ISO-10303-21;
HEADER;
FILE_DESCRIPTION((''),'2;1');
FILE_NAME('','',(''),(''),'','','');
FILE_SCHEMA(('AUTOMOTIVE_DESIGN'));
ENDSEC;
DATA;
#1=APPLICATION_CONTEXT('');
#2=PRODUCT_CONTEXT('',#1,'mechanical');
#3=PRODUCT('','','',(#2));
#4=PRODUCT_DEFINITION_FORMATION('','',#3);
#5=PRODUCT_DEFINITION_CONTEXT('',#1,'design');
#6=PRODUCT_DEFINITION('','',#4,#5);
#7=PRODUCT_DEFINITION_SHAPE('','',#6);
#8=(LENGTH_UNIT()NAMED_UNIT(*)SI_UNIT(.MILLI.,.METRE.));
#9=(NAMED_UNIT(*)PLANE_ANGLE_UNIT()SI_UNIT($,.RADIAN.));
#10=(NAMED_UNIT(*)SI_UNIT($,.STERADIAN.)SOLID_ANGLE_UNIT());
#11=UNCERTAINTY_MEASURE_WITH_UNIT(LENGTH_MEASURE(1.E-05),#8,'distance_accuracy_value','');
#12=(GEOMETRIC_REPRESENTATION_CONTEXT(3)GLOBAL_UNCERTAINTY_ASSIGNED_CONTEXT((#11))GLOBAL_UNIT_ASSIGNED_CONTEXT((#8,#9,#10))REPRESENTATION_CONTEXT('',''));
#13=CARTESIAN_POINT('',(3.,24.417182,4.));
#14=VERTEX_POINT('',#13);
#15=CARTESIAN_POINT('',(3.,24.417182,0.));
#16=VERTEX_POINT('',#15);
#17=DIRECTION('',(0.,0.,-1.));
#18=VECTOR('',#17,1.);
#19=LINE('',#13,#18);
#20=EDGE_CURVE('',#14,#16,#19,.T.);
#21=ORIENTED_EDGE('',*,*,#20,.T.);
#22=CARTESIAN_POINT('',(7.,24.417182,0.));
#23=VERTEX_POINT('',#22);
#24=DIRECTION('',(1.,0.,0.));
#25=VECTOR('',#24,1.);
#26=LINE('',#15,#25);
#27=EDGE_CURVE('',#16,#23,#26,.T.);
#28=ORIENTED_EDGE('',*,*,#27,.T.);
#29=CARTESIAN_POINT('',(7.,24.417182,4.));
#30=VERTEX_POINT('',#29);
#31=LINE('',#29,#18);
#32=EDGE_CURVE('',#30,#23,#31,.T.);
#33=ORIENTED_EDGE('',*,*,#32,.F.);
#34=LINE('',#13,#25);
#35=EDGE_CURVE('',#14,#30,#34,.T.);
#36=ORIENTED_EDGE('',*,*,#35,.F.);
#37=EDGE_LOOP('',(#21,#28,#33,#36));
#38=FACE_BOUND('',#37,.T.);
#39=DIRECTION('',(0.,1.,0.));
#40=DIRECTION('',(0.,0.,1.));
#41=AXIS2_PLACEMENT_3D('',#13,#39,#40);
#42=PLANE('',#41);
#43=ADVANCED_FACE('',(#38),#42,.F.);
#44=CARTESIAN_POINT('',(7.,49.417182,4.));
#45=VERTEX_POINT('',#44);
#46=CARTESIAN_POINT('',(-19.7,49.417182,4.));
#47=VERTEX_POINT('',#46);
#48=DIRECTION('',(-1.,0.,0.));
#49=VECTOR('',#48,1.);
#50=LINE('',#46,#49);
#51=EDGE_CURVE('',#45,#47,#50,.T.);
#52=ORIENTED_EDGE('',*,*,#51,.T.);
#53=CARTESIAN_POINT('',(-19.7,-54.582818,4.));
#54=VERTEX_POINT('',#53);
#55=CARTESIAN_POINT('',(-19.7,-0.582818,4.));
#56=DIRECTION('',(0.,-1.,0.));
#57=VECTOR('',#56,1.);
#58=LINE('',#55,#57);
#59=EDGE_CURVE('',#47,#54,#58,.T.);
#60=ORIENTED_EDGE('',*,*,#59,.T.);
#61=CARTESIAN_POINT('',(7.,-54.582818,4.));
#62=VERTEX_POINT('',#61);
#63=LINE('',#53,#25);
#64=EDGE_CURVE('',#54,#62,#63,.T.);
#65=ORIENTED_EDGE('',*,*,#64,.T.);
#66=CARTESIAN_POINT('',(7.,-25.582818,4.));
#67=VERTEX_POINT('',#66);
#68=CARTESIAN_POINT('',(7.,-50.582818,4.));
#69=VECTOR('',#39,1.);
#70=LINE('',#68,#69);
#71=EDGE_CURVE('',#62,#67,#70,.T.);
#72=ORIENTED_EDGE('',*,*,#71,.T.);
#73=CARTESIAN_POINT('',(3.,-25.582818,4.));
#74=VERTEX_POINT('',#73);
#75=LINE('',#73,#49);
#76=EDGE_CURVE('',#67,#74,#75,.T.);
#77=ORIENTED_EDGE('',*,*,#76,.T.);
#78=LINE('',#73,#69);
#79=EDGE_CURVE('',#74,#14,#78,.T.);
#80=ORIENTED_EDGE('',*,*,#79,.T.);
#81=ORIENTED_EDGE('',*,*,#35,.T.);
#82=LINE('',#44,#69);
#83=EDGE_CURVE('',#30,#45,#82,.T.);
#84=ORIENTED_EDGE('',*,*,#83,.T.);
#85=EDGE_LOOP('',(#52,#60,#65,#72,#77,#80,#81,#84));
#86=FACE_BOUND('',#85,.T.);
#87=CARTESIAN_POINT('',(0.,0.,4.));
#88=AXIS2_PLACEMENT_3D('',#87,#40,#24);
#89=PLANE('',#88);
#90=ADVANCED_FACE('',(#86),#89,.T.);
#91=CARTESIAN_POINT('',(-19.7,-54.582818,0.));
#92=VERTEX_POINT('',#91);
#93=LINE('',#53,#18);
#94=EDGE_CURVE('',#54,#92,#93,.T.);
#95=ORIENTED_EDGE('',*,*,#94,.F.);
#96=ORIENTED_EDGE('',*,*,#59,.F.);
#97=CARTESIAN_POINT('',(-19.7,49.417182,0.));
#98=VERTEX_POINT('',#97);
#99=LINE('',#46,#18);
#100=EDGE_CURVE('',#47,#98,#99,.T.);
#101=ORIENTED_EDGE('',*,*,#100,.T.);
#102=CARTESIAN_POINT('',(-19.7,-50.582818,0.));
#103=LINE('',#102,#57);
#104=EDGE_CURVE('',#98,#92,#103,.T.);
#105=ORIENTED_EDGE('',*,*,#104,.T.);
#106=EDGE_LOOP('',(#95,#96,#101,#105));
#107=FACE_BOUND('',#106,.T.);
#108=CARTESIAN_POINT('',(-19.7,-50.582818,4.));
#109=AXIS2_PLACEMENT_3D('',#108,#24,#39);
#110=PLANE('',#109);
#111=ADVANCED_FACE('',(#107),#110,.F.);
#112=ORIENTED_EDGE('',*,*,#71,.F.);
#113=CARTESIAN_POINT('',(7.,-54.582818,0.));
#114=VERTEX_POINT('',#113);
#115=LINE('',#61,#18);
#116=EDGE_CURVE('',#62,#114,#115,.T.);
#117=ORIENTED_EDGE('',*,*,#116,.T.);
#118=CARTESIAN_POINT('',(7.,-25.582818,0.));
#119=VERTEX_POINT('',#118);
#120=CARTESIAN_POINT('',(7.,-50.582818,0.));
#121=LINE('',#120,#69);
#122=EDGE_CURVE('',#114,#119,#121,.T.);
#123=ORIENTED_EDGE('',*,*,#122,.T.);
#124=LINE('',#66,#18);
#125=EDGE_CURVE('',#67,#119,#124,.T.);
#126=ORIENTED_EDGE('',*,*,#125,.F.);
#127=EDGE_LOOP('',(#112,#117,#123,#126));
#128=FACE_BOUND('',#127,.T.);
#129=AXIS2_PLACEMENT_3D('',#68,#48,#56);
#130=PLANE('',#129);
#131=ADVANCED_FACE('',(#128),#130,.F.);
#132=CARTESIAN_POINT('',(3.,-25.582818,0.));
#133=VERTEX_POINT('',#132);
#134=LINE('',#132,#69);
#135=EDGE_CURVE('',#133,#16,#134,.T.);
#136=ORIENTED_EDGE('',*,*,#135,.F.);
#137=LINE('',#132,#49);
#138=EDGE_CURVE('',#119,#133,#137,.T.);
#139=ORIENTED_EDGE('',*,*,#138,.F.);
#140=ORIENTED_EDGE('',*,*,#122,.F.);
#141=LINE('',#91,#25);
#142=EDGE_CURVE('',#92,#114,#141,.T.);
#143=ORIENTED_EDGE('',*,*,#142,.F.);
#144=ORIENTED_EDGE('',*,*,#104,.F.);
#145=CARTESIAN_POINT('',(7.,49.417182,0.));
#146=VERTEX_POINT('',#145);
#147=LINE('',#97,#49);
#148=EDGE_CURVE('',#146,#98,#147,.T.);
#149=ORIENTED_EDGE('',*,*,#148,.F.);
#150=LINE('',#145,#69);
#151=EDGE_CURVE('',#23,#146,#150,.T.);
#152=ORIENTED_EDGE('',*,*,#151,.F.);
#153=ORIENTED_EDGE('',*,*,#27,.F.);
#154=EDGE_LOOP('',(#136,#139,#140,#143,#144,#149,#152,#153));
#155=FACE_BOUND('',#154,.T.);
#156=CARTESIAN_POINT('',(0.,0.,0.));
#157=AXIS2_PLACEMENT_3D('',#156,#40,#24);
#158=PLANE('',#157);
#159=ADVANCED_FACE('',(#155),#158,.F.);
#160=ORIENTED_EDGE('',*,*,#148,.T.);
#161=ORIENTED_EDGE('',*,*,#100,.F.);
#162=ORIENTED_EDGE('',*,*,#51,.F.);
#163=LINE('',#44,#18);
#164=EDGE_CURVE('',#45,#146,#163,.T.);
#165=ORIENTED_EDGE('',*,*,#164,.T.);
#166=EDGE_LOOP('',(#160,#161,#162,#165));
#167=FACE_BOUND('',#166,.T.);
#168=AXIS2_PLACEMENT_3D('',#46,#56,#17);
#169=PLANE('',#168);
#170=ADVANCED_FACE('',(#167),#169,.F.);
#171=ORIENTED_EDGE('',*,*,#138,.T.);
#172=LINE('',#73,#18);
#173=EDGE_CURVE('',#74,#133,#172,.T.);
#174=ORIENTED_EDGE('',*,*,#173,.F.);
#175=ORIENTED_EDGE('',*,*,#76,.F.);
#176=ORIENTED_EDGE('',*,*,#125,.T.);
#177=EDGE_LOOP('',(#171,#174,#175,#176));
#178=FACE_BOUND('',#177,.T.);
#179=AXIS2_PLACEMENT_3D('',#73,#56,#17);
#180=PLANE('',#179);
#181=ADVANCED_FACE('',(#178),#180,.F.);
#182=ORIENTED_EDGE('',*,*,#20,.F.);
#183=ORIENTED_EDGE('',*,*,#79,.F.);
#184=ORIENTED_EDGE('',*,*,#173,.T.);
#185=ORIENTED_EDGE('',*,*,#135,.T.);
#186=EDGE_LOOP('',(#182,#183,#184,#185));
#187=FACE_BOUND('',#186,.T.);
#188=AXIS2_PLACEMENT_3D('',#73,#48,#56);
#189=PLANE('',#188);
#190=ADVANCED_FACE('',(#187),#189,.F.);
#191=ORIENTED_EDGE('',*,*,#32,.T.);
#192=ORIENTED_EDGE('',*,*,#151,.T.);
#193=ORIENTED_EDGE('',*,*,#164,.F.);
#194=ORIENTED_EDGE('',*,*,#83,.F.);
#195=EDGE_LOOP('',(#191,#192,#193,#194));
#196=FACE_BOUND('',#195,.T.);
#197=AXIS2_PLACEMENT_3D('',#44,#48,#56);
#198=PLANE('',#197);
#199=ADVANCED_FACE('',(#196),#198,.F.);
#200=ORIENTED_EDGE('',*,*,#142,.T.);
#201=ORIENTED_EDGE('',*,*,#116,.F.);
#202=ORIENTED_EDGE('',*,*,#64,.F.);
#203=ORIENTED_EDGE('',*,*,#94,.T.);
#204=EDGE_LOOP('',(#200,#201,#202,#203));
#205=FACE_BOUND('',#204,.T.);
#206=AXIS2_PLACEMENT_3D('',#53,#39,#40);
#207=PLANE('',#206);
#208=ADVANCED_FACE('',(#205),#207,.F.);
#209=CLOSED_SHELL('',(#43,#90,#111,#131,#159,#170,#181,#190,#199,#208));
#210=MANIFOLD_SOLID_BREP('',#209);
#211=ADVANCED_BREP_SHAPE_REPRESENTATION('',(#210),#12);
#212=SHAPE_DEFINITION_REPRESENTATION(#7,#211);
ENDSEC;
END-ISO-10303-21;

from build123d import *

# Parameters (mm, degrees)
EXTRUDE_1_DEPTH = 4


with BuildPart() as part:
    # Эскиз1 → Бобышка-Вытянуть1 (new body)
    with BuildSketch(Plane.XY):
        Polygon((3, -25.582818043), (3, 24.417181957), (7, 24.417181957), (7, 49.417181957), (-19.7, 49.417181957), (-19.7, -0.582818043), (-19.7, -50.582818043), (-19.7, -54.582818043), (7, -54.582818043), (7, -50.582818043), (7, -25.582818043), align=None)
    extrude(amount=EXTRUDE_1_DEPTH)


solid = part.part
